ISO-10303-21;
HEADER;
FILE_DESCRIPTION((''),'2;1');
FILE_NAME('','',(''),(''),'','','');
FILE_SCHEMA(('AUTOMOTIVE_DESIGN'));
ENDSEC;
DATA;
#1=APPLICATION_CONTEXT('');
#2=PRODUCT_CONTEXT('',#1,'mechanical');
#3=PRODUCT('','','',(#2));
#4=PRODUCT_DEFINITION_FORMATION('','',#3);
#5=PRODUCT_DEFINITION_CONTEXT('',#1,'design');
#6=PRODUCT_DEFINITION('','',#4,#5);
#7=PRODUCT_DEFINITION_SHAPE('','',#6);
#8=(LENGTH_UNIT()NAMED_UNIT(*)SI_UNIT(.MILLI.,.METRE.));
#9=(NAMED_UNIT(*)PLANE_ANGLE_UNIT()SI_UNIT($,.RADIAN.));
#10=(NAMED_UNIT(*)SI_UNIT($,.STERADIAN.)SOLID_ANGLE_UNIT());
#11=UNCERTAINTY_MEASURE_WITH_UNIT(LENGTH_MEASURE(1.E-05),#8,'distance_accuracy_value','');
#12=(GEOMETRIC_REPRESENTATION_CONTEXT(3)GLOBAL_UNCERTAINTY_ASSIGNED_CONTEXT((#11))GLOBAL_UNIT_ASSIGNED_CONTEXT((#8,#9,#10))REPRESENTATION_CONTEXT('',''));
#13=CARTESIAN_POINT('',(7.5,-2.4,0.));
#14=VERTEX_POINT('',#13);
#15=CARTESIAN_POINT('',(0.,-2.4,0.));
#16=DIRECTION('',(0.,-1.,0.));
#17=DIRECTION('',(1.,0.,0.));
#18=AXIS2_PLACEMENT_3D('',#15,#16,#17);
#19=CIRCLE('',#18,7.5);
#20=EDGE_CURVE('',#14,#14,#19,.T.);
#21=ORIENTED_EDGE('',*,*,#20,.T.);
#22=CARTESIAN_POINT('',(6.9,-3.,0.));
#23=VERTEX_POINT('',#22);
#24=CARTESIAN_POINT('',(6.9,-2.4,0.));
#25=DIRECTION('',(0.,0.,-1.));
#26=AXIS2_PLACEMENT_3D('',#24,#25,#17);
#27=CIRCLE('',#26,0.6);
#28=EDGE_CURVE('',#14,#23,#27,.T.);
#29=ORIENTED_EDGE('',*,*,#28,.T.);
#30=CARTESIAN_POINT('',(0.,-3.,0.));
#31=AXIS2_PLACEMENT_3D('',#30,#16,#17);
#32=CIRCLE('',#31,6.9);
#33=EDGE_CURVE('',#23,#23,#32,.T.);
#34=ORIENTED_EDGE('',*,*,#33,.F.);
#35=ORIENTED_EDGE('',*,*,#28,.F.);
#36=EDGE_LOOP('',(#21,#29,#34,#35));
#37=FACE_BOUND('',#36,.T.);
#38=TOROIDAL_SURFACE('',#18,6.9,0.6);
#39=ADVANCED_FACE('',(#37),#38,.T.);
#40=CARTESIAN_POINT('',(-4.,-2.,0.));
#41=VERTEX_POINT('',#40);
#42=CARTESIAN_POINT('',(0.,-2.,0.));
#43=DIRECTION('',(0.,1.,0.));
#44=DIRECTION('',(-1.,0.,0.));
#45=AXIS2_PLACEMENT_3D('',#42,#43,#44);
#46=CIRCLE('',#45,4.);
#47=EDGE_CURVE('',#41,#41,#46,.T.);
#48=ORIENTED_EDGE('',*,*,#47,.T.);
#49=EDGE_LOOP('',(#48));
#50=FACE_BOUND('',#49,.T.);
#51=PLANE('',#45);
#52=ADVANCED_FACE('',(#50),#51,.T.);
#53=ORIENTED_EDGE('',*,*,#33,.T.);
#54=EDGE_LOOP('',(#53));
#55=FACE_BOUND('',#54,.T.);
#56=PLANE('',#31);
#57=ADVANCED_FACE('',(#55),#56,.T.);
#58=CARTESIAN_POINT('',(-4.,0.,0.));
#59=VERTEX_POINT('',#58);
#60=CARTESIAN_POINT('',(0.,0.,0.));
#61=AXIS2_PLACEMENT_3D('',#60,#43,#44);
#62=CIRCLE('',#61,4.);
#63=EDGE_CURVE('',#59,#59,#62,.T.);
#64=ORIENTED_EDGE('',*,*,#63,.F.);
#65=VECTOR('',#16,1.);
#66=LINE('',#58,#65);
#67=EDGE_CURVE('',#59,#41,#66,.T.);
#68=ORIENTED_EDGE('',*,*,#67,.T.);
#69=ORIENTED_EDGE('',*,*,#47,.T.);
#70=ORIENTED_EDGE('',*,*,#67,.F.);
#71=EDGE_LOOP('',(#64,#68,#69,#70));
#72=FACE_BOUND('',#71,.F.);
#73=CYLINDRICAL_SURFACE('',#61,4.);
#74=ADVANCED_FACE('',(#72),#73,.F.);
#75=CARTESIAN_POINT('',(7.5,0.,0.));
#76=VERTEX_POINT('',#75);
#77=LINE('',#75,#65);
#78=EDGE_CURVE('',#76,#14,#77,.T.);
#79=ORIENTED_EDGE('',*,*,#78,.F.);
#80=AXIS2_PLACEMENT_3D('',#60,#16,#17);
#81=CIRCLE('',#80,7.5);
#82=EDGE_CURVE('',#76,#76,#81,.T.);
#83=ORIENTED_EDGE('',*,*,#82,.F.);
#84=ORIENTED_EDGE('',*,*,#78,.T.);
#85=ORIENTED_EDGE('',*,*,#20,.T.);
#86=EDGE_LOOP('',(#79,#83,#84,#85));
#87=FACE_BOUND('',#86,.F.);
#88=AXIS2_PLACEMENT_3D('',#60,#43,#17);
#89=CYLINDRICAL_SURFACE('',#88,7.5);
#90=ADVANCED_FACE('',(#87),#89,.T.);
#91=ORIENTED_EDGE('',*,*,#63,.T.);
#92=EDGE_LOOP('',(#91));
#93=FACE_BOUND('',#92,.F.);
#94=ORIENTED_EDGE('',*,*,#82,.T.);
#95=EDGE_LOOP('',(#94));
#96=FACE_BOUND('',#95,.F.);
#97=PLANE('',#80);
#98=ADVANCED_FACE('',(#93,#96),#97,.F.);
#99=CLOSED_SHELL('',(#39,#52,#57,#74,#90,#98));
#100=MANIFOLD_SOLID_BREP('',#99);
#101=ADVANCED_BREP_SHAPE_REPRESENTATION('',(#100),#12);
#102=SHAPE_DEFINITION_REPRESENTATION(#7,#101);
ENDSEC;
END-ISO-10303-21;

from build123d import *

# Parameters (mm, degrees)
F0_R     = 7.5
F1_DEPTH = 3
F2_R     = 0.6
F3_R     = 4
F4_DEPTH = 2


with BuildPart() as f1:
    # F0 (on Front) → F1 (new body)
    with BuildSketch(Plane.XZ):
        Circle(F0_R)
    extrude(amount=F1_DEPTH)

    # F2
    f2_edges = [f1.edges().sort_by_distance(p)[0] for p in [
        (-7.5, -3, 0),
    ]]
    fillet(f2_edges, radius=F2_R)

    # F3 (on face) → F4 (cut)
    with BuildSketch(Plane(origin=(0, 0, 0), x_dir=(-1, 0, 0), z_dir=(0, 1, 0))):
        Circle(F3_R)
    extrude(amount=-F4_DEPTH, mode=Mode.SUBTRACT)


solid = f1.part
